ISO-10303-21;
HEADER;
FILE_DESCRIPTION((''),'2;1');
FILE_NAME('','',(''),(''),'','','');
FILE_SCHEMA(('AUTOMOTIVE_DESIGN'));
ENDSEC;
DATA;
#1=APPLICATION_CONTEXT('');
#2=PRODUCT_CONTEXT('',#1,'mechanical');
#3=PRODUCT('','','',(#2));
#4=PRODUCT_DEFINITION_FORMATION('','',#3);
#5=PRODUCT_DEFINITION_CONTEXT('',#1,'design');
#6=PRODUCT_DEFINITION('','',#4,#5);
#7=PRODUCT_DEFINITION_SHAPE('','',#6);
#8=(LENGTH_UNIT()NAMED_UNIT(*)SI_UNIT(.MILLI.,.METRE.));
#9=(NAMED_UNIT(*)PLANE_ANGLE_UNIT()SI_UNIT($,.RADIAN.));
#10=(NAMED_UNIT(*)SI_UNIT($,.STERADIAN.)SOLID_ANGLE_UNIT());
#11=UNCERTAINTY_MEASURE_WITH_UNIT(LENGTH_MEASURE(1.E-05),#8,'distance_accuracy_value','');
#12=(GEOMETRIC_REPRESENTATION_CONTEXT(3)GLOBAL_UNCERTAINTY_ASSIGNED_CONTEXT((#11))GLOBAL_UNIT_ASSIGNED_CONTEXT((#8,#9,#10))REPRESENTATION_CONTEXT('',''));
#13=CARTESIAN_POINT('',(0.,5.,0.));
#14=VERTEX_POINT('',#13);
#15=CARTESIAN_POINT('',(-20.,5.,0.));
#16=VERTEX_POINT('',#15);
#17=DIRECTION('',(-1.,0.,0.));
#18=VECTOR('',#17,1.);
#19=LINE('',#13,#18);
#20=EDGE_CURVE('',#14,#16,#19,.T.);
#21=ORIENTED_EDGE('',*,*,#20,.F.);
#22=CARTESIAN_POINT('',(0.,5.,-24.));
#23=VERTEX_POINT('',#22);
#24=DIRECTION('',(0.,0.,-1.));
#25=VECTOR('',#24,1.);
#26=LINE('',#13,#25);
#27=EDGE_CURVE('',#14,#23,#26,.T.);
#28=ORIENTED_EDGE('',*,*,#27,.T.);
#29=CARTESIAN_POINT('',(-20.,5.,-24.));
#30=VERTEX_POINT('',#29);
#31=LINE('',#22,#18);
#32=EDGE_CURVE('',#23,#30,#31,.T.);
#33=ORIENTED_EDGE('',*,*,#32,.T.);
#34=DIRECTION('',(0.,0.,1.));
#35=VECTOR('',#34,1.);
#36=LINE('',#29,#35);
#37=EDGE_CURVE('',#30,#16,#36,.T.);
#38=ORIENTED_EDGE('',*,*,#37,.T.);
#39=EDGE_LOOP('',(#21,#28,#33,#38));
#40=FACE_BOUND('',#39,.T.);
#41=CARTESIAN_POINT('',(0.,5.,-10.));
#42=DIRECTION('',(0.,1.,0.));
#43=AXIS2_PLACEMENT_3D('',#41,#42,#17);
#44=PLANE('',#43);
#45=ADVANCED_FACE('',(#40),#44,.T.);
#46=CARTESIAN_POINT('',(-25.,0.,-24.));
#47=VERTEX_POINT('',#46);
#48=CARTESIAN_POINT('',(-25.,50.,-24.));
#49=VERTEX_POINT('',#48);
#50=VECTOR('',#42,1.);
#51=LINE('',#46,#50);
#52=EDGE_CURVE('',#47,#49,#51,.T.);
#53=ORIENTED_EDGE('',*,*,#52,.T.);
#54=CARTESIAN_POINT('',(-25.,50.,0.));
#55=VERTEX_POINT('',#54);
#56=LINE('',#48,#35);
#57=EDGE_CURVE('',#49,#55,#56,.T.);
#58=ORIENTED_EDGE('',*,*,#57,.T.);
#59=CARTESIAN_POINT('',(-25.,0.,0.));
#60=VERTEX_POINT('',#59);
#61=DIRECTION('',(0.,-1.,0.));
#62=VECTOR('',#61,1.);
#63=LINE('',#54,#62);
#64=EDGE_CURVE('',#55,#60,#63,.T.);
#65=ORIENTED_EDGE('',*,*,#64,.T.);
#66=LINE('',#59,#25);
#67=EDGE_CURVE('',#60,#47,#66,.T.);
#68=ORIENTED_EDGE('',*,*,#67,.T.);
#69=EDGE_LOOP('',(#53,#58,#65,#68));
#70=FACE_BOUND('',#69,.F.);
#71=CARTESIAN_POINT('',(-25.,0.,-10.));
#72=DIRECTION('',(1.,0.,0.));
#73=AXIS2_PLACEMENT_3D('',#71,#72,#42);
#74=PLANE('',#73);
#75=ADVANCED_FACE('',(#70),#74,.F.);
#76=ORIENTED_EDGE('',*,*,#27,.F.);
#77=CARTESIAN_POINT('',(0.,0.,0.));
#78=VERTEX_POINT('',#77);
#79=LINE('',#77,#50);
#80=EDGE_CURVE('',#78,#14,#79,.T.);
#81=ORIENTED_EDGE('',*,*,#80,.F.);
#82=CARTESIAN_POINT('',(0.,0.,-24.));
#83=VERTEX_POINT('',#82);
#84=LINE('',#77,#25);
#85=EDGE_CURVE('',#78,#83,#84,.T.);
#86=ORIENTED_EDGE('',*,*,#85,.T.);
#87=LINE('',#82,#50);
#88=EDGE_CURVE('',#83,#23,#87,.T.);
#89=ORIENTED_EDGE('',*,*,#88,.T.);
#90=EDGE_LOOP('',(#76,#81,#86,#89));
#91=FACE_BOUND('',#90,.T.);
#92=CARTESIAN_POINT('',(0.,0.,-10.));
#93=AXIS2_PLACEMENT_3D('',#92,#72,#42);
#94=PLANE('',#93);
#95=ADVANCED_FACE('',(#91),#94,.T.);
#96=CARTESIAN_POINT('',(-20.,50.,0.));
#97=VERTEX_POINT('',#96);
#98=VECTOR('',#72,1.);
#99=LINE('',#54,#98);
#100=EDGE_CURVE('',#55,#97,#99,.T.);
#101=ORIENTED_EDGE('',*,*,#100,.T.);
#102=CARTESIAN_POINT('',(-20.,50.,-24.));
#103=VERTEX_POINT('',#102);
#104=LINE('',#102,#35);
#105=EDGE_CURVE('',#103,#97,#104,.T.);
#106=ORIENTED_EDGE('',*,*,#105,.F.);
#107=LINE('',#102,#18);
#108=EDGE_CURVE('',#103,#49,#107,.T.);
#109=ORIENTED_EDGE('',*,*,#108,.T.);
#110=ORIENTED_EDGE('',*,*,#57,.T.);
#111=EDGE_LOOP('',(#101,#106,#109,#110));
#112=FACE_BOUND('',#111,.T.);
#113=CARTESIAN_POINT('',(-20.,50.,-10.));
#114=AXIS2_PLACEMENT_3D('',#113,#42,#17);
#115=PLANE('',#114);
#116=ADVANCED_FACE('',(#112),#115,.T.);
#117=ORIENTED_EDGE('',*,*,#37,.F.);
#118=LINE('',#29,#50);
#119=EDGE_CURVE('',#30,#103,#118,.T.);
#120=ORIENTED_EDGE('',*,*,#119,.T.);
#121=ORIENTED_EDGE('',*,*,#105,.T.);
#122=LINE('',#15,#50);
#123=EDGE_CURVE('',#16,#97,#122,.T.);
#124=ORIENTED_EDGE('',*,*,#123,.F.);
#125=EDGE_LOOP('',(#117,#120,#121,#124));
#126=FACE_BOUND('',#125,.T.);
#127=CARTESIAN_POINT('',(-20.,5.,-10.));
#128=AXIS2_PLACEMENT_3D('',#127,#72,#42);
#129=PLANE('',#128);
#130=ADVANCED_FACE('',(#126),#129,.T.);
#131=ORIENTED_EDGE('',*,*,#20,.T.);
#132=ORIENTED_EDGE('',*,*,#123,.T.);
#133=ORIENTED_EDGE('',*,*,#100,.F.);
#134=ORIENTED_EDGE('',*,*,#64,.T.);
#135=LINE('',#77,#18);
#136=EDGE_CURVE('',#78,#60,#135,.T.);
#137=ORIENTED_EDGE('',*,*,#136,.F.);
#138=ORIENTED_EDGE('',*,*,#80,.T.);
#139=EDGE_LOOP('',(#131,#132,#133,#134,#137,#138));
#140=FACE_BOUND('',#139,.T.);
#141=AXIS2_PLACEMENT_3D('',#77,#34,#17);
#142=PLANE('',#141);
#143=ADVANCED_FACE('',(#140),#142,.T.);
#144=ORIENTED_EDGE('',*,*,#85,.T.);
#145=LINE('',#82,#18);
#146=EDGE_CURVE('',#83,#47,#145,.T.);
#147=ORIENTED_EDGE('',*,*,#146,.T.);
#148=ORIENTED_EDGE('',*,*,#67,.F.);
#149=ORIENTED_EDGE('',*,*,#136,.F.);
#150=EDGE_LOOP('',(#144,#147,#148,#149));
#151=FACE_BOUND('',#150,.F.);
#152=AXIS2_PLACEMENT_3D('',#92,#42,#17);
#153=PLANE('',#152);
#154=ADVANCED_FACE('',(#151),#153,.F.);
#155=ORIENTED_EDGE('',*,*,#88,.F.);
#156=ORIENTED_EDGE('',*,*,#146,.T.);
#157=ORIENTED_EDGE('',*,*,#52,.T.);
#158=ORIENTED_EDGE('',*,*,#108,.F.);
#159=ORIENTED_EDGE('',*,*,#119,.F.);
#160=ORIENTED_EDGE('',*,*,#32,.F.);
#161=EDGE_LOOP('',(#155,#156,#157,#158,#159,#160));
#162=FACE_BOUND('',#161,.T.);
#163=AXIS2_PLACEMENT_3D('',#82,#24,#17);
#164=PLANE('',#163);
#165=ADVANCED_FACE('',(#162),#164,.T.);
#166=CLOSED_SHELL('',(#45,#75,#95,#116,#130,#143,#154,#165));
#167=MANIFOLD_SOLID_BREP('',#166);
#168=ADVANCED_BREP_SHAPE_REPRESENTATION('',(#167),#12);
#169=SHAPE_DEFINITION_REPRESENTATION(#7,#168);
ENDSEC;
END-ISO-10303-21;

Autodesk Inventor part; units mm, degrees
ref_plane "YZ Plane" through (0, 0, 0) normal (1, 0, 0) x (0, 1, 0)
ref_plane "XZ Plane" through (0, 0, 0) normal (0, 1, 0) x (-1, 0, 0)
ref_plane "XY Plane" through (0, 0, 0) normal (0, 0, 1) x (1, 0, 0)
sketch "Sketch1" plane through (0, 0, 0) normal (0, 1, 0) x (-1, 0, 0)
  line L0 (0, 0) -> (25, 0)
  line L1 (25, 0) -> (25, -10)
  line L2 (25, -10) -> (0, -10)
  line L3 (0, -10) -> (0, 0)
  dimension "d0" = 25
  dimension "d1" = 10
extrude "Extrusion1" add sketch "Sketch1" along normal blind 5
sketch "Sketch2" plane through (0, 5, 0) normal (0, 1, 0) x (1, 0, 0)
  line L0 (-25, 10) -> (-25, 0) projected
  line L1 (-25, 0) -> (0, 0) projected
  line L2 (-25, 10) -> (-20, 10)
  line L3 (-20, 10) -> (-20, 0)
  line L4 (-20, 0) -> (-25, 0)
  line L5 (-25, 0) -> (-25, 10)
  dimension "d4" = 5
extrude "Extrusion2" add sketch "Sketch2" along normal blind 45
sketch "Sketch3" plane through (0, 0, -10) normal (0, 0, -1) x (-1, 0, 0)
  point P0 (0, 0)
sketch "Sketch4" plane through (0, 0, -10) normal (0, 0, -1) x (-1, 0, 0)
  line L0 (0, 5) -> (20, 5) projected
  line L1 (0, 0) -> (0, 5) projected
  line L2 (0, 5) -> (0, 0)
  line L3 (0, 0) -> (25, 0)
  line L4 (25, 0) -> (25, 50) projected
  line L5 (25, 0) -> (25, 50)
  line L6 (20, 50) -> (25, 50) projected
  line L7 (25, 50) -> (20, 50)
  line L8 (20, 5) -> (20, 50) projected
  line L9 (20, 50) -> (20, 5)
  line L10 (20, 5) -> (0, 5)
extrude "Extrusion3" add sketch "Sketch4" along normal blind 14
